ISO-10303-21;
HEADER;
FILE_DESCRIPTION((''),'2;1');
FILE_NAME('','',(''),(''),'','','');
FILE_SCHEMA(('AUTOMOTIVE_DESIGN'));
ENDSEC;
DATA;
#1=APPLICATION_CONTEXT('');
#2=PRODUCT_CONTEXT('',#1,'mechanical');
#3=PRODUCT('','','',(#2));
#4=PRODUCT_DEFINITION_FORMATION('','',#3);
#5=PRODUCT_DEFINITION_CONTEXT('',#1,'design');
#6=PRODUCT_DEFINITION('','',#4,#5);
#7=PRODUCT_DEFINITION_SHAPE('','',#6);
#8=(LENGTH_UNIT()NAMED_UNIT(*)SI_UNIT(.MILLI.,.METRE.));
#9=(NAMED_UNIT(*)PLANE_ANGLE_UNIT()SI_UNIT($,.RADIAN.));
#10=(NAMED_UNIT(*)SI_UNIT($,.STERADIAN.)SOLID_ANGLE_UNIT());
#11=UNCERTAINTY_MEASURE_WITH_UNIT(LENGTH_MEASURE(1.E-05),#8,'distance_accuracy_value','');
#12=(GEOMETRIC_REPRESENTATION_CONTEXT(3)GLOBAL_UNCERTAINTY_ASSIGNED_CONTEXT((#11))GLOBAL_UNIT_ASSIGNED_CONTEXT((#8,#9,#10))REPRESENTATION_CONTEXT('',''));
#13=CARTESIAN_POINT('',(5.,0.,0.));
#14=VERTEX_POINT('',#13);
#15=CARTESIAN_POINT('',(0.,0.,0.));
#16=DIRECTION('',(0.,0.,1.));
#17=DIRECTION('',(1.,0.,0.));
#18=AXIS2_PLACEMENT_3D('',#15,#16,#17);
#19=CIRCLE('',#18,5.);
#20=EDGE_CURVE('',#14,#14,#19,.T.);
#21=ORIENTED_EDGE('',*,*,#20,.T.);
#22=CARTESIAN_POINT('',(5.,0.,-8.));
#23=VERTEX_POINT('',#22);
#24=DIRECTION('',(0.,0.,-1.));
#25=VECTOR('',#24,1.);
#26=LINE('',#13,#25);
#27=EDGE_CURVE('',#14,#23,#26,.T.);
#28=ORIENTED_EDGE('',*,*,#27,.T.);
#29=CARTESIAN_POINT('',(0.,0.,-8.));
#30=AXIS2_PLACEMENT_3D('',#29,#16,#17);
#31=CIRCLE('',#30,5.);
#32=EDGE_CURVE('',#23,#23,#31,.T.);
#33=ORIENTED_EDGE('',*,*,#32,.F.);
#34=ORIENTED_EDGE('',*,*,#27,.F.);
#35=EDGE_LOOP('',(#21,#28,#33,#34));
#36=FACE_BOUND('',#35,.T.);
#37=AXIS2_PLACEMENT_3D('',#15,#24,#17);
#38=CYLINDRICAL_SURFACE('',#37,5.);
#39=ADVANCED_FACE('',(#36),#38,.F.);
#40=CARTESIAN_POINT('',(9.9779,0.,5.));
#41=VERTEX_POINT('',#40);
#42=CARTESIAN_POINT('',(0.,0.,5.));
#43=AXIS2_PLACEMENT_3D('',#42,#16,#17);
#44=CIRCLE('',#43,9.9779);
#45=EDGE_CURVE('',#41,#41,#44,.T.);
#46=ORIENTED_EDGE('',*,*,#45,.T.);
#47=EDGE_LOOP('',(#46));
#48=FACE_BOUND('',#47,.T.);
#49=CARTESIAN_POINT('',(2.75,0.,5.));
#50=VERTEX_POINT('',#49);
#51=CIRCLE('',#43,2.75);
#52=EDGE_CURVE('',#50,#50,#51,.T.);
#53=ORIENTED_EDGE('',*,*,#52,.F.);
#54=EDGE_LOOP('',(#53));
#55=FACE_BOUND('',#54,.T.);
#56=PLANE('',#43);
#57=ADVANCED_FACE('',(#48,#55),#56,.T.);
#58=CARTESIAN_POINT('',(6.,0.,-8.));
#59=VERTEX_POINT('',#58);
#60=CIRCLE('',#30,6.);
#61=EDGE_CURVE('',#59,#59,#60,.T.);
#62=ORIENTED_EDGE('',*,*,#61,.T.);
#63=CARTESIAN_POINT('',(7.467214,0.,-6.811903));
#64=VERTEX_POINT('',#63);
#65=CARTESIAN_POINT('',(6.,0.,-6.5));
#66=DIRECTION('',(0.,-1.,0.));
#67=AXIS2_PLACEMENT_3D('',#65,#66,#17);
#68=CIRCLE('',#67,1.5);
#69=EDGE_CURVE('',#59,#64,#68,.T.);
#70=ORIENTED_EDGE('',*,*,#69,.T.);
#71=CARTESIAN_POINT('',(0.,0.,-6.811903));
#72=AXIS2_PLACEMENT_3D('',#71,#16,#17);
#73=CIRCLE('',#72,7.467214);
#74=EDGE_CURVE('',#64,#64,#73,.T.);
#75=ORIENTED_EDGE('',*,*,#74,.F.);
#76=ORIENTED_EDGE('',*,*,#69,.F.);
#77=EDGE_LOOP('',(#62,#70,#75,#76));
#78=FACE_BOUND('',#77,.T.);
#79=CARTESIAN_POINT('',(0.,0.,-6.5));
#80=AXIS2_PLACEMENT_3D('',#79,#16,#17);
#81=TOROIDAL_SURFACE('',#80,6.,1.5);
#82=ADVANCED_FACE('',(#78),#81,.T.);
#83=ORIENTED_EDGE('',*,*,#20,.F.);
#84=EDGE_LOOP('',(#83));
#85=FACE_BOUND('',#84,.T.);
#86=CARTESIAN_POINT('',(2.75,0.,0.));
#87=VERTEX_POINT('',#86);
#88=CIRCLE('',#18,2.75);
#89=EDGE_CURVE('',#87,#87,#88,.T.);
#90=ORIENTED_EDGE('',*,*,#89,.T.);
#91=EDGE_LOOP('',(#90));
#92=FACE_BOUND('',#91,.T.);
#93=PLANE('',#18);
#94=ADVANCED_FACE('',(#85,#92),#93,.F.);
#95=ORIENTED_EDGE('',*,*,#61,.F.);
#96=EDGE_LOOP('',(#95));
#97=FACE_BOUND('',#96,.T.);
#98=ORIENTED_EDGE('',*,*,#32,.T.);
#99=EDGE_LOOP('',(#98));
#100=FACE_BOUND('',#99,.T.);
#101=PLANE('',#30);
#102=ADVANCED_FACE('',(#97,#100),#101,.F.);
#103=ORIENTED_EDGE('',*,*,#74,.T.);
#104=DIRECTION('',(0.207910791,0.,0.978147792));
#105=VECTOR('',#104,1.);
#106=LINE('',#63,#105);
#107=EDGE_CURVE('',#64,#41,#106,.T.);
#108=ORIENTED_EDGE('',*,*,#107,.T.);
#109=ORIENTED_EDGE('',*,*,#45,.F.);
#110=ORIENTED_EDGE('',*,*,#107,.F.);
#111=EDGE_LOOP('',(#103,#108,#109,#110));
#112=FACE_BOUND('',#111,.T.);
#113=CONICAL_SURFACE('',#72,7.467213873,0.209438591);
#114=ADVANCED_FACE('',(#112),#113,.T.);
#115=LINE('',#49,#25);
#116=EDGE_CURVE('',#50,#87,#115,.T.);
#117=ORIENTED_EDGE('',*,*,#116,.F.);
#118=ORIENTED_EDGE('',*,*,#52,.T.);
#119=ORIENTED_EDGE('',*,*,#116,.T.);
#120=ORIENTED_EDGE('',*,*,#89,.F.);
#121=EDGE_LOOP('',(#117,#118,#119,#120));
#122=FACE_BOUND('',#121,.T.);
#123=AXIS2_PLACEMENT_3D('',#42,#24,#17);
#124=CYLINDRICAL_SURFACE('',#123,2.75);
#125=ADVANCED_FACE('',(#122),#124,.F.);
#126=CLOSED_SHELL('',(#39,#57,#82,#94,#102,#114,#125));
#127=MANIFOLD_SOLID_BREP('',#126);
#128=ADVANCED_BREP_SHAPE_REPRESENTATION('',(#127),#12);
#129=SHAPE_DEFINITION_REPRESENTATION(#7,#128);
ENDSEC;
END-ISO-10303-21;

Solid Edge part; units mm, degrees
sketch "Sketch1" plane through (0, 0, 0) normal (0, -1, 0) x (1, 0, 0)
  line L0 (2.75, 5) -> (2.75, 0)
  line L1 (2.75, 0) -> (5, 0)
  line L2 (5, 0) -> (5, -8)
  line L3 (5, -8) -> (6, -8)
  arc A0 (6, -8) -> (7.4672, -6.8119) centre (6, -6.5) ccw
  line L4 (7.4672, -6.8119) -> (9.9779, 5)
  line L5 (9.9779, 5) -> (2.75, 5)
  dimension "D1" = 5
  dimension "D2" = 8
  dimension "D3" = 1.5
  dimension "D4" = 1
revolve "RevolvedProtrusion1" add sketch "Sketch1" angle 360 about axis through (0, 0, 0) along (0, 0, 1)
properties material "Bronze, 90%"
